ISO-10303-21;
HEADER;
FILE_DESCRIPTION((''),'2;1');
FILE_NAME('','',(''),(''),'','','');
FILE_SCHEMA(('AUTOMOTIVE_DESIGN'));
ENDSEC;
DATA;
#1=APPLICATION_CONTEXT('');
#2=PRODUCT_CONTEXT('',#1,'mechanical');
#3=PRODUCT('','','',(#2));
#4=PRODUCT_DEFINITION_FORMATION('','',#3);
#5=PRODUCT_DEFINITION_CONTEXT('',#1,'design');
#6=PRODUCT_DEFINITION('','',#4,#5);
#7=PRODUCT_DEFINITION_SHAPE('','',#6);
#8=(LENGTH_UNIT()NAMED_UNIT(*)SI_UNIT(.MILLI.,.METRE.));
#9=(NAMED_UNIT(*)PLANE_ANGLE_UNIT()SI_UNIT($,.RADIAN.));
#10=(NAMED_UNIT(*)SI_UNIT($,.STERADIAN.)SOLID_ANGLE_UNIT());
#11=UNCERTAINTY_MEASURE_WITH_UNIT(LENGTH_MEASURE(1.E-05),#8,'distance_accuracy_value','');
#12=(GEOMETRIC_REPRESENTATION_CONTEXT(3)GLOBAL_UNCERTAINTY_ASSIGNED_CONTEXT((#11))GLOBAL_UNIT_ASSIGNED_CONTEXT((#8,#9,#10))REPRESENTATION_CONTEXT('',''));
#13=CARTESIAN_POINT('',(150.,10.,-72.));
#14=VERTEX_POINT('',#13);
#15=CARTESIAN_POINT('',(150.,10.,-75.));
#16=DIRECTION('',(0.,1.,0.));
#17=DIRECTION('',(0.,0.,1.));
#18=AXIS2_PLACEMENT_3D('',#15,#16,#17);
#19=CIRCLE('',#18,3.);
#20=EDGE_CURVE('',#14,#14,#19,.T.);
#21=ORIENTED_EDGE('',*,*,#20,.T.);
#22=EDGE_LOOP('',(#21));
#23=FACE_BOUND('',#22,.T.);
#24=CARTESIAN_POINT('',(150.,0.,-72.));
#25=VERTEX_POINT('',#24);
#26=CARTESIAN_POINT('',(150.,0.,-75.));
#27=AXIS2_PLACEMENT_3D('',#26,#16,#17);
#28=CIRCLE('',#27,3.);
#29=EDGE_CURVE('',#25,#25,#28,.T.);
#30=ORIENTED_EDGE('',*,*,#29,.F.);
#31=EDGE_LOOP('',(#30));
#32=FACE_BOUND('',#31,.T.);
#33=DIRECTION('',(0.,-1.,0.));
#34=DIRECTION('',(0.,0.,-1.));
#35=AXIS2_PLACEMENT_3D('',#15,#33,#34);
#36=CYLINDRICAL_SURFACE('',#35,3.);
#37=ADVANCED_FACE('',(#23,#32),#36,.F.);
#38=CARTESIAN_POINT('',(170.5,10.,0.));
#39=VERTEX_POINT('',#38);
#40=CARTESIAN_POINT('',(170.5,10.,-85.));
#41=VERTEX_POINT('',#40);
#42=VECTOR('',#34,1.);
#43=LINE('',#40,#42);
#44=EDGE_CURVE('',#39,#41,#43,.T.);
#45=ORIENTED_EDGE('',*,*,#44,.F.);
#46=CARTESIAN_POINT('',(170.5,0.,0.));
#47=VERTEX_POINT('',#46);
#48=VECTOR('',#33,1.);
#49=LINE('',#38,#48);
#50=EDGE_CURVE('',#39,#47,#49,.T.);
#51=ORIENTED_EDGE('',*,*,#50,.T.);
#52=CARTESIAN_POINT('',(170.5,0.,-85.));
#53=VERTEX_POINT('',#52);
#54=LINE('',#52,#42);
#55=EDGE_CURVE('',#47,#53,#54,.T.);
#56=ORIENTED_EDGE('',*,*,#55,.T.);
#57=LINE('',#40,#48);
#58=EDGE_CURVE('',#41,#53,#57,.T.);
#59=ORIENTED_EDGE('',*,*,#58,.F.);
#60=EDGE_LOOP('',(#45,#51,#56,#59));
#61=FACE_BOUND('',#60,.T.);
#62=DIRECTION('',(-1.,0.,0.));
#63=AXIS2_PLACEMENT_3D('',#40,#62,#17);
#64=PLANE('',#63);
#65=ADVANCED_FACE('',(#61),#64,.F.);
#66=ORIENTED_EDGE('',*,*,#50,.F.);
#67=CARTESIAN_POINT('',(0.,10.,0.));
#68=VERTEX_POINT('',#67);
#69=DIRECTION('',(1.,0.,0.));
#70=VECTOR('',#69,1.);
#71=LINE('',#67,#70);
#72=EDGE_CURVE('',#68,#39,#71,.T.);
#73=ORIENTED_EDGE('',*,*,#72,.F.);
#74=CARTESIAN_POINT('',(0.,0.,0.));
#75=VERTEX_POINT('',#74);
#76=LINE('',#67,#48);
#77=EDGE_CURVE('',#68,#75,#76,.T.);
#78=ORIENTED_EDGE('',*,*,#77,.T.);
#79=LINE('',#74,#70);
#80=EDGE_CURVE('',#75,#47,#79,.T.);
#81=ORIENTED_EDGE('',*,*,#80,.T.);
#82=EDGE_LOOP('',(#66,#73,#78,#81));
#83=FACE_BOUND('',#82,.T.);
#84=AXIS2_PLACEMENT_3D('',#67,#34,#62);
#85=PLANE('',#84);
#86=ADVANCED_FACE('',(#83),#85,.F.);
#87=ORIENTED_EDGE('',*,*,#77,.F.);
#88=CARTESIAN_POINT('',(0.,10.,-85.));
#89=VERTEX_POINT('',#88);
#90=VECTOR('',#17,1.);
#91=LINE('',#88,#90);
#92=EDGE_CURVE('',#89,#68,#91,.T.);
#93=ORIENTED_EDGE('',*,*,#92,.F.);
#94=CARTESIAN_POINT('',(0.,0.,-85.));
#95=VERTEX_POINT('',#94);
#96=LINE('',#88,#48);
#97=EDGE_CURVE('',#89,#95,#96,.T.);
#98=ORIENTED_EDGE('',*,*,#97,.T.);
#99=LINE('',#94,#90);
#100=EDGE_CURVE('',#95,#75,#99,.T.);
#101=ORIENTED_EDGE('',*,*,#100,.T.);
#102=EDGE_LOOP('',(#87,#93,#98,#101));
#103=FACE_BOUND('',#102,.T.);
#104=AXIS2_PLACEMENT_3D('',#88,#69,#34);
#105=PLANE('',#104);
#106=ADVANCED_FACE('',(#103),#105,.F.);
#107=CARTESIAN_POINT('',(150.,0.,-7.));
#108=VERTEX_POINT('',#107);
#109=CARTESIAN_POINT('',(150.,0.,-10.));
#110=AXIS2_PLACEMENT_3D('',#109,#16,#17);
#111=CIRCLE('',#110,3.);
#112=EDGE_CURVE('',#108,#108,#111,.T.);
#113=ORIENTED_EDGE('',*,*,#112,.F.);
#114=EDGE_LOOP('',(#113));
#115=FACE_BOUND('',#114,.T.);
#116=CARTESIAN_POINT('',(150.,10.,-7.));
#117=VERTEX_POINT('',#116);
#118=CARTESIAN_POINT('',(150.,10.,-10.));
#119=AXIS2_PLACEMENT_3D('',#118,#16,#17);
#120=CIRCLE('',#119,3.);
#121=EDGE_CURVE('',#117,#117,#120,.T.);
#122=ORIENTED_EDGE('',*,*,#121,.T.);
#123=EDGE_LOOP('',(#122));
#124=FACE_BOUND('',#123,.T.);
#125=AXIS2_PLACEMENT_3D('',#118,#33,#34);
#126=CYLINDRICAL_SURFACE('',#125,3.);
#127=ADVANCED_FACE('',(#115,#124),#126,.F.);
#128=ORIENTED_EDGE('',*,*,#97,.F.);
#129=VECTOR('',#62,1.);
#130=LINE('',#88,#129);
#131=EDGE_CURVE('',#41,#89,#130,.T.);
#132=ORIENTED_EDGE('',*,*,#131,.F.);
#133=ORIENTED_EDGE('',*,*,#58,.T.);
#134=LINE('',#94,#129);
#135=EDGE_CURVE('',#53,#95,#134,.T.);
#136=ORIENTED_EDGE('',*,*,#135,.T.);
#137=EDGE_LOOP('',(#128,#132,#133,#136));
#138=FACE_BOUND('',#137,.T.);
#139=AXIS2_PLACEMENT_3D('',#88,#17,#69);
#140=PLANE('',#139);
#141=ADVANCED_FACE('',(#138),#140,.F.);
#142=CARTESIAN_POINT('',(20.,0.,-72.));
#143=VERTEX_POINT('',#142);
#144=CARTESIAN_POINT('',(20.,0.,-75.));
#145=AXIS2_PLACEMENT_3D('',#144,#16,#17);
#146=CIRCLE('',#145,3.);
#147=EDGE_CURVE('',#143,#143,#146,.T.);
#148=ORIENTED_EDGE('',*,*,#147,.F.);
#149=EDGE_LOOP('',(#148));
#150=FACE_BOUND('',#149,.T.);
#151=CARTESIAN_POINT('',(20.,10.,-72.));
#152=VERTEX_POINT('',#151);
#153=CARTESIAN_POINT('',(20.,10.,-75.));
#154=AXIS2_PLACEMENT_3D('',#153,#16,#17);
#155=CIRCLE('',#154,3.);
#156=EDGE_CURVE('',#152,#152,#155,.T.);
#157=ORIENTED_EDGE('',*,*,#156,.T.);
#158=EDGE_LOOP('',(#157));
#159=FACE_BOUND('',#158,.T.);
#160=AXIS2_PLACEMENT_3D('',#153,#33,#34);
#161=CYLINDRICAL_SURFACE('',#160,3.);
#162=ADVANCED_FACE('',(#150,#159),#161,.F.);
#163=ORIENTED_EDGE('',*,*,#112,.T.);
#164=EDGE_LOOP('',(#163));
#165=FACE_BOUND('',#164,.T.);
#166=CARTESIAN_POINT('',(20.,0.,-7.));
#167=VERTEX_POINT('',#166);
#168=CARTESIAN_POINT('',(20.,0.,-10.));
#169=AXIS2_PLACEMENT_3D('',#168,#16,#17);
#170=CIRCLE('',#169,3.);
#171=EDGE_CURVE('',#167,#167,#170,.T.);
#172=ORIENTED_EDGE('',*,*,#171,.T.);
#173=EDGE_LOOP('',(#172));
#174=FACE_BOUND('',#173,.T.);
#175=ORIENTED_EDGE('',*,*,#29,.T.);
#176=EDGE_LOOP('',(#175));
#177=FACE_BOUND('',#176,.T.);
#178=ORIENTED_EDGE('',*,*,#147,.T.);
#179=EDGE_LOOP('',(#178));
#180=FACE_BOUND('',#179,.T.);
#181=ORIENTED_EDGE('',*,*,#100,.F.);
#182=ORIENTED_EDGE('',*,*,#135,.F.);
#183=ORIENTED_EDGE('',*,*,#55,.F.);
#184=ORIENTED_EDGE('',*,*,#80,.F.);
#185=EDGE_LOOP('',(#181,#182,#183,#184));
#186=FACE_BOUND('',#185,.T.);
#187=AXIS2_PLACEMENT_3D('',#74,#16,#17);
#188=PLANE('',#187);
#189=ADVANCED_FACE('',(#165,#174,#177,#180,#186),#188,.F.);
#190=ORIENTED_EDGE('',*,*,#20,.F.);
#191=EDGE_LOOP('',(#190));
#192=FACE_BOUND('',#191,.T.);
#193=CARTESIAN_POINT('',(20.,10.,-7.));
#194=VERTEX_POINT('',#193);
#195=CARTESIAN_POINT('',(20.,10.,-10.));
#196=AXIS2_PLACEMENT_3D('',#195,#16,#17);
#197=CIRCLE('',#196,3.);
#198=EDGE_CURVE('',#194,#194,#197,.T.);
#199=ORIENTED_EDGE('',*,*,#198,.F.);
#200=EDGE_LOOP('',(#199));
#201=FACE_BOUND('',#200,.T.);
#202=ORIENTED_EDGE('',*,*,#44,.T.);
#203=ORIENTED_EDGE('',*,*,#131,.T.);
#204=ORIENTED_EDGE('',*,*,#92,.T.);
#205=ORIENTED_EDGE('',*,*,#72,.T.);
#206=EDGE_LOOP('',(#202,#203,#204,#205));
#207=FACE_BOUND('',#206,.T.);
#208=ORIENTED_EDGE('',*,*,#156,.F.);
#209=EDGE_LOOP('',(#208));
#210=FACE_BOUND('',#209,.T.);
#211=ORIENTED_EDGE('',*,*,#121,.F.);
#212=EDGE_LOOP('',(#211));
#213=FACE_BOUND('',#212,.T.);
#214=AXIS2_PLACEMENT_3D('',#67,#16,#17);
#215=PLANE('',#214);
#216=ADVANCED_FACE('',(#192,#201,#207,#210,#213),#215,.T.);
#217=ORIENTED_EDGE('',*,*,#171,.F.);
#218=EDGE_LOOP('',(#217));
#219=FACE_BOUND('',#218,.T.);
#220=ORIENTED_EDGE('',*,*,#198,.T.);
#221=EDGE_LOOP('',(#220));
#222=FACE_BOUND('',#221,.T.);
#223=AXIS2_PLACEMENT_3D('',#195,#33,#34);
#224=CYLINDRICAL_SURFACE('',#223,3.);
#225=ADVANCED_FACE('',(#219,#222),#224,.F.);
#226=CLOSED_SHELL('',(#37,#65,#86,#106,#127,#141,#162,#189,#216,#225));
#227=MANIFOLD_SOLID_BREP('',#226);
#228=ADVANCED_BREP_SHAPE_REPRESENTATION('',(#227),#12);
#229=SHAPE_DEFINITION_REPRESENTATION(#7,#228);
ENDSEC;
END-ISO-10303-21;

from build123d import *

# Parameters (mm, degrees)
SKETCH1_W           = 170.5
SKETCH1_H           = 85
SKETCH1_R           = 3
BOSS_EXTRUDE1_DEPTH = 10


with BuildPart() as part:
    # Sketch1 → Boss-Extrude1 (new body)
    with BuildSketch(Plane(origin=(0, 0, 0), x_dir=(1, 0, 0), z_dir=(0, 1, 0))):
        with Locations((85.25, 42.5)):
            Rectangle(SKETCH1_W, SKETCH1_H)
        with Locations((20, 10)):
            Circle(SKETCH1_R, mode=Mode.SUBTRACT)
        with Locations((150, 10)):
            Circle(SKETCH1_R, mode=Mode.SUBTRACT)
        with Locations((20, 75)):
            Circle(SKETCH1_R, mode=Mode.SUBTRACT)
        with Locations((150, 75)):
            Circle(SKETCH1_R, mode=Mode.SUBTRACT)
    extrude(amount=BOSS_EXTRUDE1_DEPTH)


solid = part.part
